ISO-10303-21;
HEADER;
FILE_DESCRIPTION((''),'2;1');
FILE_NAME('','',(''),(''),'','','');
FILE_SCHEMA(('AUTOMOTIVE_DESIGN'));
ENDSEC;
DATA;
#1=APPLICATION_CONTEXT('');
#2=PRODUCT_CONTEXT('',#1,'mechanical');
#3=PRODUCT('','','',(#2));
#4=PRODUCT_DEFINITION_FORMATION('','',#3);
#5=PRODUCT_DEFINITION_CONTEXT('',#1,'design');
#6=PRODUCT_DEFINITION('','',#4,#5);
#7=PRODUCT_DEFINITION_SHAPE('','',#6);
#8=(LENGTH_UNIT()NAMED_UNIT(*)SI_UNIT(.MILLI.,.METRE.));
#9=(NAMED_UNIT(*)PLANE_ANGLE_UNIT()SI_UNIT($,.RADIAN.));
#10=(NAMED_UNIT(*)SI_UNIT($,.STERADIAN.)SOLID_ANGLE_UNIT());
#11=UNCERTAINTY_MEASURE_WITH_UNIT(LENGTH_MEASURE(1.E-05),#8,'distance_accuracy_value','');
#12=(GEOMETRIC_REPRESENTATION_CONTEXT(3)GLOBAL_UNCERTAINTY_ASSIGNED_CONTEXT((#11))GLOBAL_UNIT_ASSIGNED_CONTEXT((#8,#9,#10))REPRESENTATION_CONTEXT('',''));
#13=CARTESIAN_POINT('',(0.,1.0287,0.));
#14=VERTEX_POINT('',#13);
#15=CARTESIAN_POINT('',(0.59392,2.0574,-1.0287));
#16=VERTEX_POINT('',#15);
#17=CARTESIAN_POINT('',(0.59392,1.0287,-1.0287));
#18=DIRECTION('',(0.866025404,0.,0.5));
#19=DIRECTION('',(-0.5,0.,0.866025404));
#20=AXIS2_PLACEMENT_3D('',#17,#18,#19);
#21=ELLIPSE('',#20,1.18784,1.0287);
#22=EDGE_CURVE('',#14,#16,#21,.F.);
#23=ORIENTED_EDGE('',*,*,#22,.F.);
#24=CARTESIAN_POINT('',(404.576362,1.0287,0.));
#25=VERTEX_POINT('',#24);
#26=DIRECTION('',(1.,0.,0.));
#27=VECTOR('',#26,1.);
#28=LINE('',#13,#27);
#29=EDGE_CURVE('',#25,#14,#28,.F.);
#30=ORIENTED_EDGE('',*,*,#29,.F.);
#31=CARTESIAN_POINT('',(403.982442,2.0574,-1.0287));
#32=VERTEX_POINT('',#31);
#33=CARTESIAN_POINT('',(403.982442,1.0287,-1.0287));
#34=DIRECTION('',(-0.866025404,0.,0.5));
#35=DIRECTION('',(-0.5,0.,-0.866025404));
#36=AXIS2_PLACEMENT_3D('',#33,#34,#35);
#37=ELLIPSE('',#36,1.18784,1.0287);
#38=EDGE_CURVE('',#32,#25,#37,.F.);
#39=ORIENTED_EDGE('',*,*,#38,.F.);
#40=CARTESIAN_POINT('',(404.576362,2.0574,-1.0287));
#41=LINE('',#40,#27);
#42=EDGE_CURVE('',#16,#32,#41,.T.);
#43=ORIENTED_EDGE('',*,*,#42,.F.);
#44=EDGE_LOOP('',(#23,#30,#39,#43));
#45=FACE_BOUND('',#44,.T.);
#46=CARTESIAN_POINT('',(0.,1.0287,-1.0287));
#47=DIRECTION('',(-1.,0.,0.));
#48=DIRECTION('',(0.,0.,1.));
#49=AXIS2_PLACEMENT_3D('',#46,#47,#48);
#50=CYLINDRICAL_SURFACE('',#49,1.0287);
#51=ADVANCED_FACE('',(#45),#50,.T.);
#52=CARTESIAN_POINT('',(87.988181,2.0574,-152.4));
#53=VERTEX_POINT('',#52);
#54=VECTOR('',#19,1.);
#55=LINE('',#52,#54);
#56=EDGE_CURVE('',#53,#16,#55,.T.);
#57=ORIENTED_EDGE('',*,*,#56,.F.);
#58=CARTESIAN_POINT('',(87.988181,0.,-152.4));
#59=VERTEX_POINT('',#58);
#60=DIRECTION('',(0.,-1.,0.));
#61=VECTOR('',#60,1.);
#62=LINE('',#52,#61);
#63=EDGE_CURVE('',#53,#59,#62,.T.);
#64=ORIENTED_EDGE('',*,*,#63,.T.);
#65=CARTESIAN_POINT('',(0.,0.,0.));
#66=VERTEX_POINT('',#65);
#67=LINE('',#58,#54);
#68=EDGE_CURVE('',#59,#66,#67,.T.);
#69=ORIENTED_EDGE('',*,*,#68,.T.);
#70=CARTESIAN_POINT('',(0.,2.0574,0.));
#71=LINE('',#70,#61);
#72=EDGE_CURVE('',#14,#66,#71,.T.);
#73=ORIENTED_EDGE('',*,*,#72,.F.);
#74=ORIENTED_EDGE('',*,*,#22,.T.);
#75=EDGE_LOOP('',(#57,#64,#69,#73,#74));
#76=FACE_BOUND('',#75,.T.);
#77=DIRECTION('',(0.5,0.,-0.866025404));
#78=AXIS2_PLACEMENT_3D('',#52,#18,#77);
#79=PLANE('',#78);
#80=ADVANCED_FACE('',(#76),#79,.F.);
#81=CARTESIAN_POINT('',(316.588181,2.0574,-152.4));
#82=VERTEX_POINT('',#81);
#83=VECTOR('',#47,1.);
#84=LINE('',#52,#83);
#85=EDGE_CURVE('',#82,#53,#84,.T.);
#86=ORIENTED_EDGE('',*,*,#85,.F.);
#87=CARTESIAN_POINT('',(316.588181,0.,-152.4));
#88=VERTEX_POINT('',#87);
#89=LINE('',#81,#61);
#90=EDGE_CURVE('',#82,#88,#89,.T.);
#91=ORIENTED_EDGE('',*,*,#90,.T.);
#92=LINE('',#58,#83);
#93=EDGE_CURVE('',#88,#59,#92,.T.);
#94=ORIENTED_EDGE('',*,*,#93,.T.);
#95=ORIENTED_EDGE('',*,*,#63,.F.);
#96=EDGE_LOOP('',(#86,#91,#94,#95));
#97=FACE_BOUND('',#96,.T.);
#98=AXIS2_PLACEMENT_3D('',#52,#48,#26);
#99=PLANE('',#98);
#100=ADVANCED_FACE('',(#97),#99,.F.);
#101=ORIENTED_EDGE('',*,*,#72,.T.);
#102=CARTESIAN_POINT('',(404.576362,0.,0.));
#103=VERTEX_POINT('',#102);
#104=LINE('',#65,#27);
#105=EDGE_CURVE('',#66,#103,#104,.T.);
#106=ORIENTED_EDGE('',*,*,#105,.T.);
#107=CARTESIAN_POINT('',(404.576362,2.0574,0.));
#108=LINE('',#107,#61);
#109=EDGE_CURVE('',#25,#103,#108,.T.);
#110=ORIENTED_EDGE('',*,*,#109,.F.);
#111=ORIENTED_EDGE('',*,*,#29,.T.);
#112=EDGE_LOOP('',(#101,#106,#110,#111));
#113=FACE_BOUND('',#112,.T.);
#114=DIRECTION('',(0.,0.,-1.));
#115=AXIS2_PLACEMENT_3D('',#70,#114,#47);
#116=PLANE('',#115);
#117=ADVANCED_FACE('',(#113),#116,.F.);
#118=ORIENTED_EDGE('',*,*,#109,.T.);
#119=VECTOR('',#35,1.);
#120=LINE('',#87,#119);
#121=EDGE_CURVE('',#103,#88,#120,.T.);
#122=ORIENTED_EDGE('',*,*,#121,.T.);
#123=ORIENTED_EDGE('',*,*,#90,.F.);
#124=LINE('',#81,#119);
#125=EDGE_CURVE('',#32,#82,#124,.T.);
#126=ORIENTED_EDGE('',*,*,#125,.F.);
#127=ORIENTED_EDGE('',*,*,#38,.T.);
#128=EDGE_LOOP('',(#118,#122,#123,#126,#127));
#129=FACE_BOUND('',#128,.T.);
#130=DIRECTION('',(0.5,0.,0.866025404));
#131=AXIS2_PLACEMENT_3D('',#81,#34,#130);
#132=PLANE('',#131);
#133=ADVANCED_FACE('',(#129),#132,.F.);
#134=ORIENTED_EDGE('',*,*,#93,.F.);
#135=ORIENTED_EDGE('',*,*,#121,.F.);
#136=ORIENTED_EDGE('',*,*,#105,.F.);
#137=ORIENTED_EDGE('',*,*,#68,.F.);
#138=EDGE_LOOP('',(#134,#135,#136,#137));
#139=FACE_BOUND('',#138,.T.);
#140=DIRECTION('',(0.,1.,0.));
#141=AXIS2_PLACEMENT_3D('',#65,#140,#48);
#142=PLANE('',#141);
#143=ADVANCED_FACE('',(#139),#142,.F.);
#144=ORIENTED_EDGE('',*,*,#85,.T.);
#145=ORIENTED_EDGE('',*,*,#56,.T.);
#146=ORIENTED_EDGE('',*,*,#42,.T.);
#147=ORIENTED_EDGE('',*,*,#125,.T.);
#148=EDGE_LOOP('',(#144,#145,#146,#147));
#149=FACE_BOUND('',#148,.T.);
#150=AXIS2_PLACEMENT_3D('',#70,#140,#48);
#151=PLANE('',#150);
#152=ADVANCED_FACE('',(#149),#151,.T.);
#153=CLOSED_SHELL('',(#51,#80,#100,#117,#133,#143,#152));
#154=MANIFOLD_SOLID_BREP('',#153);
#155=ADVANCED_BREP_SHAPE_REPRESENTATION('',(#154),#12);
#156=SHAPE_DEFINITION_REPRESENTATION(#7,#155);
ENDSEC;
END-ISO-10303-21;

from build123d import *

# Parameters (mm, degrees)
BOSS_EXTRUDE1_DEPTH = 2.0574
FILLET1_R           = 1.0287


with BuildPart() as part:
    # Sketch1 → Boss-Extrude1 (new body)
    with BuildSketch(Plane(origin=(0, 0, 0), x_dir=(1, 0, 0), z_dir=(0, 1, 0))):
        Polygon((0, 0), (404.576362049, 0), (316.588181024, 152.4), (87.988181024, 152.4), align=None)
    extrude(amount=BOSS_EXTRUDE1_DEPTH)

    # Fillet1
    fillet1_edges = [part.edges().sort_by_distance(p)[0] for p in [
        (202.288181024, 2.0574, 0),
    ]]
    fillet(fillet1_edges, radius=FILLET1_R)


solid = part.part
